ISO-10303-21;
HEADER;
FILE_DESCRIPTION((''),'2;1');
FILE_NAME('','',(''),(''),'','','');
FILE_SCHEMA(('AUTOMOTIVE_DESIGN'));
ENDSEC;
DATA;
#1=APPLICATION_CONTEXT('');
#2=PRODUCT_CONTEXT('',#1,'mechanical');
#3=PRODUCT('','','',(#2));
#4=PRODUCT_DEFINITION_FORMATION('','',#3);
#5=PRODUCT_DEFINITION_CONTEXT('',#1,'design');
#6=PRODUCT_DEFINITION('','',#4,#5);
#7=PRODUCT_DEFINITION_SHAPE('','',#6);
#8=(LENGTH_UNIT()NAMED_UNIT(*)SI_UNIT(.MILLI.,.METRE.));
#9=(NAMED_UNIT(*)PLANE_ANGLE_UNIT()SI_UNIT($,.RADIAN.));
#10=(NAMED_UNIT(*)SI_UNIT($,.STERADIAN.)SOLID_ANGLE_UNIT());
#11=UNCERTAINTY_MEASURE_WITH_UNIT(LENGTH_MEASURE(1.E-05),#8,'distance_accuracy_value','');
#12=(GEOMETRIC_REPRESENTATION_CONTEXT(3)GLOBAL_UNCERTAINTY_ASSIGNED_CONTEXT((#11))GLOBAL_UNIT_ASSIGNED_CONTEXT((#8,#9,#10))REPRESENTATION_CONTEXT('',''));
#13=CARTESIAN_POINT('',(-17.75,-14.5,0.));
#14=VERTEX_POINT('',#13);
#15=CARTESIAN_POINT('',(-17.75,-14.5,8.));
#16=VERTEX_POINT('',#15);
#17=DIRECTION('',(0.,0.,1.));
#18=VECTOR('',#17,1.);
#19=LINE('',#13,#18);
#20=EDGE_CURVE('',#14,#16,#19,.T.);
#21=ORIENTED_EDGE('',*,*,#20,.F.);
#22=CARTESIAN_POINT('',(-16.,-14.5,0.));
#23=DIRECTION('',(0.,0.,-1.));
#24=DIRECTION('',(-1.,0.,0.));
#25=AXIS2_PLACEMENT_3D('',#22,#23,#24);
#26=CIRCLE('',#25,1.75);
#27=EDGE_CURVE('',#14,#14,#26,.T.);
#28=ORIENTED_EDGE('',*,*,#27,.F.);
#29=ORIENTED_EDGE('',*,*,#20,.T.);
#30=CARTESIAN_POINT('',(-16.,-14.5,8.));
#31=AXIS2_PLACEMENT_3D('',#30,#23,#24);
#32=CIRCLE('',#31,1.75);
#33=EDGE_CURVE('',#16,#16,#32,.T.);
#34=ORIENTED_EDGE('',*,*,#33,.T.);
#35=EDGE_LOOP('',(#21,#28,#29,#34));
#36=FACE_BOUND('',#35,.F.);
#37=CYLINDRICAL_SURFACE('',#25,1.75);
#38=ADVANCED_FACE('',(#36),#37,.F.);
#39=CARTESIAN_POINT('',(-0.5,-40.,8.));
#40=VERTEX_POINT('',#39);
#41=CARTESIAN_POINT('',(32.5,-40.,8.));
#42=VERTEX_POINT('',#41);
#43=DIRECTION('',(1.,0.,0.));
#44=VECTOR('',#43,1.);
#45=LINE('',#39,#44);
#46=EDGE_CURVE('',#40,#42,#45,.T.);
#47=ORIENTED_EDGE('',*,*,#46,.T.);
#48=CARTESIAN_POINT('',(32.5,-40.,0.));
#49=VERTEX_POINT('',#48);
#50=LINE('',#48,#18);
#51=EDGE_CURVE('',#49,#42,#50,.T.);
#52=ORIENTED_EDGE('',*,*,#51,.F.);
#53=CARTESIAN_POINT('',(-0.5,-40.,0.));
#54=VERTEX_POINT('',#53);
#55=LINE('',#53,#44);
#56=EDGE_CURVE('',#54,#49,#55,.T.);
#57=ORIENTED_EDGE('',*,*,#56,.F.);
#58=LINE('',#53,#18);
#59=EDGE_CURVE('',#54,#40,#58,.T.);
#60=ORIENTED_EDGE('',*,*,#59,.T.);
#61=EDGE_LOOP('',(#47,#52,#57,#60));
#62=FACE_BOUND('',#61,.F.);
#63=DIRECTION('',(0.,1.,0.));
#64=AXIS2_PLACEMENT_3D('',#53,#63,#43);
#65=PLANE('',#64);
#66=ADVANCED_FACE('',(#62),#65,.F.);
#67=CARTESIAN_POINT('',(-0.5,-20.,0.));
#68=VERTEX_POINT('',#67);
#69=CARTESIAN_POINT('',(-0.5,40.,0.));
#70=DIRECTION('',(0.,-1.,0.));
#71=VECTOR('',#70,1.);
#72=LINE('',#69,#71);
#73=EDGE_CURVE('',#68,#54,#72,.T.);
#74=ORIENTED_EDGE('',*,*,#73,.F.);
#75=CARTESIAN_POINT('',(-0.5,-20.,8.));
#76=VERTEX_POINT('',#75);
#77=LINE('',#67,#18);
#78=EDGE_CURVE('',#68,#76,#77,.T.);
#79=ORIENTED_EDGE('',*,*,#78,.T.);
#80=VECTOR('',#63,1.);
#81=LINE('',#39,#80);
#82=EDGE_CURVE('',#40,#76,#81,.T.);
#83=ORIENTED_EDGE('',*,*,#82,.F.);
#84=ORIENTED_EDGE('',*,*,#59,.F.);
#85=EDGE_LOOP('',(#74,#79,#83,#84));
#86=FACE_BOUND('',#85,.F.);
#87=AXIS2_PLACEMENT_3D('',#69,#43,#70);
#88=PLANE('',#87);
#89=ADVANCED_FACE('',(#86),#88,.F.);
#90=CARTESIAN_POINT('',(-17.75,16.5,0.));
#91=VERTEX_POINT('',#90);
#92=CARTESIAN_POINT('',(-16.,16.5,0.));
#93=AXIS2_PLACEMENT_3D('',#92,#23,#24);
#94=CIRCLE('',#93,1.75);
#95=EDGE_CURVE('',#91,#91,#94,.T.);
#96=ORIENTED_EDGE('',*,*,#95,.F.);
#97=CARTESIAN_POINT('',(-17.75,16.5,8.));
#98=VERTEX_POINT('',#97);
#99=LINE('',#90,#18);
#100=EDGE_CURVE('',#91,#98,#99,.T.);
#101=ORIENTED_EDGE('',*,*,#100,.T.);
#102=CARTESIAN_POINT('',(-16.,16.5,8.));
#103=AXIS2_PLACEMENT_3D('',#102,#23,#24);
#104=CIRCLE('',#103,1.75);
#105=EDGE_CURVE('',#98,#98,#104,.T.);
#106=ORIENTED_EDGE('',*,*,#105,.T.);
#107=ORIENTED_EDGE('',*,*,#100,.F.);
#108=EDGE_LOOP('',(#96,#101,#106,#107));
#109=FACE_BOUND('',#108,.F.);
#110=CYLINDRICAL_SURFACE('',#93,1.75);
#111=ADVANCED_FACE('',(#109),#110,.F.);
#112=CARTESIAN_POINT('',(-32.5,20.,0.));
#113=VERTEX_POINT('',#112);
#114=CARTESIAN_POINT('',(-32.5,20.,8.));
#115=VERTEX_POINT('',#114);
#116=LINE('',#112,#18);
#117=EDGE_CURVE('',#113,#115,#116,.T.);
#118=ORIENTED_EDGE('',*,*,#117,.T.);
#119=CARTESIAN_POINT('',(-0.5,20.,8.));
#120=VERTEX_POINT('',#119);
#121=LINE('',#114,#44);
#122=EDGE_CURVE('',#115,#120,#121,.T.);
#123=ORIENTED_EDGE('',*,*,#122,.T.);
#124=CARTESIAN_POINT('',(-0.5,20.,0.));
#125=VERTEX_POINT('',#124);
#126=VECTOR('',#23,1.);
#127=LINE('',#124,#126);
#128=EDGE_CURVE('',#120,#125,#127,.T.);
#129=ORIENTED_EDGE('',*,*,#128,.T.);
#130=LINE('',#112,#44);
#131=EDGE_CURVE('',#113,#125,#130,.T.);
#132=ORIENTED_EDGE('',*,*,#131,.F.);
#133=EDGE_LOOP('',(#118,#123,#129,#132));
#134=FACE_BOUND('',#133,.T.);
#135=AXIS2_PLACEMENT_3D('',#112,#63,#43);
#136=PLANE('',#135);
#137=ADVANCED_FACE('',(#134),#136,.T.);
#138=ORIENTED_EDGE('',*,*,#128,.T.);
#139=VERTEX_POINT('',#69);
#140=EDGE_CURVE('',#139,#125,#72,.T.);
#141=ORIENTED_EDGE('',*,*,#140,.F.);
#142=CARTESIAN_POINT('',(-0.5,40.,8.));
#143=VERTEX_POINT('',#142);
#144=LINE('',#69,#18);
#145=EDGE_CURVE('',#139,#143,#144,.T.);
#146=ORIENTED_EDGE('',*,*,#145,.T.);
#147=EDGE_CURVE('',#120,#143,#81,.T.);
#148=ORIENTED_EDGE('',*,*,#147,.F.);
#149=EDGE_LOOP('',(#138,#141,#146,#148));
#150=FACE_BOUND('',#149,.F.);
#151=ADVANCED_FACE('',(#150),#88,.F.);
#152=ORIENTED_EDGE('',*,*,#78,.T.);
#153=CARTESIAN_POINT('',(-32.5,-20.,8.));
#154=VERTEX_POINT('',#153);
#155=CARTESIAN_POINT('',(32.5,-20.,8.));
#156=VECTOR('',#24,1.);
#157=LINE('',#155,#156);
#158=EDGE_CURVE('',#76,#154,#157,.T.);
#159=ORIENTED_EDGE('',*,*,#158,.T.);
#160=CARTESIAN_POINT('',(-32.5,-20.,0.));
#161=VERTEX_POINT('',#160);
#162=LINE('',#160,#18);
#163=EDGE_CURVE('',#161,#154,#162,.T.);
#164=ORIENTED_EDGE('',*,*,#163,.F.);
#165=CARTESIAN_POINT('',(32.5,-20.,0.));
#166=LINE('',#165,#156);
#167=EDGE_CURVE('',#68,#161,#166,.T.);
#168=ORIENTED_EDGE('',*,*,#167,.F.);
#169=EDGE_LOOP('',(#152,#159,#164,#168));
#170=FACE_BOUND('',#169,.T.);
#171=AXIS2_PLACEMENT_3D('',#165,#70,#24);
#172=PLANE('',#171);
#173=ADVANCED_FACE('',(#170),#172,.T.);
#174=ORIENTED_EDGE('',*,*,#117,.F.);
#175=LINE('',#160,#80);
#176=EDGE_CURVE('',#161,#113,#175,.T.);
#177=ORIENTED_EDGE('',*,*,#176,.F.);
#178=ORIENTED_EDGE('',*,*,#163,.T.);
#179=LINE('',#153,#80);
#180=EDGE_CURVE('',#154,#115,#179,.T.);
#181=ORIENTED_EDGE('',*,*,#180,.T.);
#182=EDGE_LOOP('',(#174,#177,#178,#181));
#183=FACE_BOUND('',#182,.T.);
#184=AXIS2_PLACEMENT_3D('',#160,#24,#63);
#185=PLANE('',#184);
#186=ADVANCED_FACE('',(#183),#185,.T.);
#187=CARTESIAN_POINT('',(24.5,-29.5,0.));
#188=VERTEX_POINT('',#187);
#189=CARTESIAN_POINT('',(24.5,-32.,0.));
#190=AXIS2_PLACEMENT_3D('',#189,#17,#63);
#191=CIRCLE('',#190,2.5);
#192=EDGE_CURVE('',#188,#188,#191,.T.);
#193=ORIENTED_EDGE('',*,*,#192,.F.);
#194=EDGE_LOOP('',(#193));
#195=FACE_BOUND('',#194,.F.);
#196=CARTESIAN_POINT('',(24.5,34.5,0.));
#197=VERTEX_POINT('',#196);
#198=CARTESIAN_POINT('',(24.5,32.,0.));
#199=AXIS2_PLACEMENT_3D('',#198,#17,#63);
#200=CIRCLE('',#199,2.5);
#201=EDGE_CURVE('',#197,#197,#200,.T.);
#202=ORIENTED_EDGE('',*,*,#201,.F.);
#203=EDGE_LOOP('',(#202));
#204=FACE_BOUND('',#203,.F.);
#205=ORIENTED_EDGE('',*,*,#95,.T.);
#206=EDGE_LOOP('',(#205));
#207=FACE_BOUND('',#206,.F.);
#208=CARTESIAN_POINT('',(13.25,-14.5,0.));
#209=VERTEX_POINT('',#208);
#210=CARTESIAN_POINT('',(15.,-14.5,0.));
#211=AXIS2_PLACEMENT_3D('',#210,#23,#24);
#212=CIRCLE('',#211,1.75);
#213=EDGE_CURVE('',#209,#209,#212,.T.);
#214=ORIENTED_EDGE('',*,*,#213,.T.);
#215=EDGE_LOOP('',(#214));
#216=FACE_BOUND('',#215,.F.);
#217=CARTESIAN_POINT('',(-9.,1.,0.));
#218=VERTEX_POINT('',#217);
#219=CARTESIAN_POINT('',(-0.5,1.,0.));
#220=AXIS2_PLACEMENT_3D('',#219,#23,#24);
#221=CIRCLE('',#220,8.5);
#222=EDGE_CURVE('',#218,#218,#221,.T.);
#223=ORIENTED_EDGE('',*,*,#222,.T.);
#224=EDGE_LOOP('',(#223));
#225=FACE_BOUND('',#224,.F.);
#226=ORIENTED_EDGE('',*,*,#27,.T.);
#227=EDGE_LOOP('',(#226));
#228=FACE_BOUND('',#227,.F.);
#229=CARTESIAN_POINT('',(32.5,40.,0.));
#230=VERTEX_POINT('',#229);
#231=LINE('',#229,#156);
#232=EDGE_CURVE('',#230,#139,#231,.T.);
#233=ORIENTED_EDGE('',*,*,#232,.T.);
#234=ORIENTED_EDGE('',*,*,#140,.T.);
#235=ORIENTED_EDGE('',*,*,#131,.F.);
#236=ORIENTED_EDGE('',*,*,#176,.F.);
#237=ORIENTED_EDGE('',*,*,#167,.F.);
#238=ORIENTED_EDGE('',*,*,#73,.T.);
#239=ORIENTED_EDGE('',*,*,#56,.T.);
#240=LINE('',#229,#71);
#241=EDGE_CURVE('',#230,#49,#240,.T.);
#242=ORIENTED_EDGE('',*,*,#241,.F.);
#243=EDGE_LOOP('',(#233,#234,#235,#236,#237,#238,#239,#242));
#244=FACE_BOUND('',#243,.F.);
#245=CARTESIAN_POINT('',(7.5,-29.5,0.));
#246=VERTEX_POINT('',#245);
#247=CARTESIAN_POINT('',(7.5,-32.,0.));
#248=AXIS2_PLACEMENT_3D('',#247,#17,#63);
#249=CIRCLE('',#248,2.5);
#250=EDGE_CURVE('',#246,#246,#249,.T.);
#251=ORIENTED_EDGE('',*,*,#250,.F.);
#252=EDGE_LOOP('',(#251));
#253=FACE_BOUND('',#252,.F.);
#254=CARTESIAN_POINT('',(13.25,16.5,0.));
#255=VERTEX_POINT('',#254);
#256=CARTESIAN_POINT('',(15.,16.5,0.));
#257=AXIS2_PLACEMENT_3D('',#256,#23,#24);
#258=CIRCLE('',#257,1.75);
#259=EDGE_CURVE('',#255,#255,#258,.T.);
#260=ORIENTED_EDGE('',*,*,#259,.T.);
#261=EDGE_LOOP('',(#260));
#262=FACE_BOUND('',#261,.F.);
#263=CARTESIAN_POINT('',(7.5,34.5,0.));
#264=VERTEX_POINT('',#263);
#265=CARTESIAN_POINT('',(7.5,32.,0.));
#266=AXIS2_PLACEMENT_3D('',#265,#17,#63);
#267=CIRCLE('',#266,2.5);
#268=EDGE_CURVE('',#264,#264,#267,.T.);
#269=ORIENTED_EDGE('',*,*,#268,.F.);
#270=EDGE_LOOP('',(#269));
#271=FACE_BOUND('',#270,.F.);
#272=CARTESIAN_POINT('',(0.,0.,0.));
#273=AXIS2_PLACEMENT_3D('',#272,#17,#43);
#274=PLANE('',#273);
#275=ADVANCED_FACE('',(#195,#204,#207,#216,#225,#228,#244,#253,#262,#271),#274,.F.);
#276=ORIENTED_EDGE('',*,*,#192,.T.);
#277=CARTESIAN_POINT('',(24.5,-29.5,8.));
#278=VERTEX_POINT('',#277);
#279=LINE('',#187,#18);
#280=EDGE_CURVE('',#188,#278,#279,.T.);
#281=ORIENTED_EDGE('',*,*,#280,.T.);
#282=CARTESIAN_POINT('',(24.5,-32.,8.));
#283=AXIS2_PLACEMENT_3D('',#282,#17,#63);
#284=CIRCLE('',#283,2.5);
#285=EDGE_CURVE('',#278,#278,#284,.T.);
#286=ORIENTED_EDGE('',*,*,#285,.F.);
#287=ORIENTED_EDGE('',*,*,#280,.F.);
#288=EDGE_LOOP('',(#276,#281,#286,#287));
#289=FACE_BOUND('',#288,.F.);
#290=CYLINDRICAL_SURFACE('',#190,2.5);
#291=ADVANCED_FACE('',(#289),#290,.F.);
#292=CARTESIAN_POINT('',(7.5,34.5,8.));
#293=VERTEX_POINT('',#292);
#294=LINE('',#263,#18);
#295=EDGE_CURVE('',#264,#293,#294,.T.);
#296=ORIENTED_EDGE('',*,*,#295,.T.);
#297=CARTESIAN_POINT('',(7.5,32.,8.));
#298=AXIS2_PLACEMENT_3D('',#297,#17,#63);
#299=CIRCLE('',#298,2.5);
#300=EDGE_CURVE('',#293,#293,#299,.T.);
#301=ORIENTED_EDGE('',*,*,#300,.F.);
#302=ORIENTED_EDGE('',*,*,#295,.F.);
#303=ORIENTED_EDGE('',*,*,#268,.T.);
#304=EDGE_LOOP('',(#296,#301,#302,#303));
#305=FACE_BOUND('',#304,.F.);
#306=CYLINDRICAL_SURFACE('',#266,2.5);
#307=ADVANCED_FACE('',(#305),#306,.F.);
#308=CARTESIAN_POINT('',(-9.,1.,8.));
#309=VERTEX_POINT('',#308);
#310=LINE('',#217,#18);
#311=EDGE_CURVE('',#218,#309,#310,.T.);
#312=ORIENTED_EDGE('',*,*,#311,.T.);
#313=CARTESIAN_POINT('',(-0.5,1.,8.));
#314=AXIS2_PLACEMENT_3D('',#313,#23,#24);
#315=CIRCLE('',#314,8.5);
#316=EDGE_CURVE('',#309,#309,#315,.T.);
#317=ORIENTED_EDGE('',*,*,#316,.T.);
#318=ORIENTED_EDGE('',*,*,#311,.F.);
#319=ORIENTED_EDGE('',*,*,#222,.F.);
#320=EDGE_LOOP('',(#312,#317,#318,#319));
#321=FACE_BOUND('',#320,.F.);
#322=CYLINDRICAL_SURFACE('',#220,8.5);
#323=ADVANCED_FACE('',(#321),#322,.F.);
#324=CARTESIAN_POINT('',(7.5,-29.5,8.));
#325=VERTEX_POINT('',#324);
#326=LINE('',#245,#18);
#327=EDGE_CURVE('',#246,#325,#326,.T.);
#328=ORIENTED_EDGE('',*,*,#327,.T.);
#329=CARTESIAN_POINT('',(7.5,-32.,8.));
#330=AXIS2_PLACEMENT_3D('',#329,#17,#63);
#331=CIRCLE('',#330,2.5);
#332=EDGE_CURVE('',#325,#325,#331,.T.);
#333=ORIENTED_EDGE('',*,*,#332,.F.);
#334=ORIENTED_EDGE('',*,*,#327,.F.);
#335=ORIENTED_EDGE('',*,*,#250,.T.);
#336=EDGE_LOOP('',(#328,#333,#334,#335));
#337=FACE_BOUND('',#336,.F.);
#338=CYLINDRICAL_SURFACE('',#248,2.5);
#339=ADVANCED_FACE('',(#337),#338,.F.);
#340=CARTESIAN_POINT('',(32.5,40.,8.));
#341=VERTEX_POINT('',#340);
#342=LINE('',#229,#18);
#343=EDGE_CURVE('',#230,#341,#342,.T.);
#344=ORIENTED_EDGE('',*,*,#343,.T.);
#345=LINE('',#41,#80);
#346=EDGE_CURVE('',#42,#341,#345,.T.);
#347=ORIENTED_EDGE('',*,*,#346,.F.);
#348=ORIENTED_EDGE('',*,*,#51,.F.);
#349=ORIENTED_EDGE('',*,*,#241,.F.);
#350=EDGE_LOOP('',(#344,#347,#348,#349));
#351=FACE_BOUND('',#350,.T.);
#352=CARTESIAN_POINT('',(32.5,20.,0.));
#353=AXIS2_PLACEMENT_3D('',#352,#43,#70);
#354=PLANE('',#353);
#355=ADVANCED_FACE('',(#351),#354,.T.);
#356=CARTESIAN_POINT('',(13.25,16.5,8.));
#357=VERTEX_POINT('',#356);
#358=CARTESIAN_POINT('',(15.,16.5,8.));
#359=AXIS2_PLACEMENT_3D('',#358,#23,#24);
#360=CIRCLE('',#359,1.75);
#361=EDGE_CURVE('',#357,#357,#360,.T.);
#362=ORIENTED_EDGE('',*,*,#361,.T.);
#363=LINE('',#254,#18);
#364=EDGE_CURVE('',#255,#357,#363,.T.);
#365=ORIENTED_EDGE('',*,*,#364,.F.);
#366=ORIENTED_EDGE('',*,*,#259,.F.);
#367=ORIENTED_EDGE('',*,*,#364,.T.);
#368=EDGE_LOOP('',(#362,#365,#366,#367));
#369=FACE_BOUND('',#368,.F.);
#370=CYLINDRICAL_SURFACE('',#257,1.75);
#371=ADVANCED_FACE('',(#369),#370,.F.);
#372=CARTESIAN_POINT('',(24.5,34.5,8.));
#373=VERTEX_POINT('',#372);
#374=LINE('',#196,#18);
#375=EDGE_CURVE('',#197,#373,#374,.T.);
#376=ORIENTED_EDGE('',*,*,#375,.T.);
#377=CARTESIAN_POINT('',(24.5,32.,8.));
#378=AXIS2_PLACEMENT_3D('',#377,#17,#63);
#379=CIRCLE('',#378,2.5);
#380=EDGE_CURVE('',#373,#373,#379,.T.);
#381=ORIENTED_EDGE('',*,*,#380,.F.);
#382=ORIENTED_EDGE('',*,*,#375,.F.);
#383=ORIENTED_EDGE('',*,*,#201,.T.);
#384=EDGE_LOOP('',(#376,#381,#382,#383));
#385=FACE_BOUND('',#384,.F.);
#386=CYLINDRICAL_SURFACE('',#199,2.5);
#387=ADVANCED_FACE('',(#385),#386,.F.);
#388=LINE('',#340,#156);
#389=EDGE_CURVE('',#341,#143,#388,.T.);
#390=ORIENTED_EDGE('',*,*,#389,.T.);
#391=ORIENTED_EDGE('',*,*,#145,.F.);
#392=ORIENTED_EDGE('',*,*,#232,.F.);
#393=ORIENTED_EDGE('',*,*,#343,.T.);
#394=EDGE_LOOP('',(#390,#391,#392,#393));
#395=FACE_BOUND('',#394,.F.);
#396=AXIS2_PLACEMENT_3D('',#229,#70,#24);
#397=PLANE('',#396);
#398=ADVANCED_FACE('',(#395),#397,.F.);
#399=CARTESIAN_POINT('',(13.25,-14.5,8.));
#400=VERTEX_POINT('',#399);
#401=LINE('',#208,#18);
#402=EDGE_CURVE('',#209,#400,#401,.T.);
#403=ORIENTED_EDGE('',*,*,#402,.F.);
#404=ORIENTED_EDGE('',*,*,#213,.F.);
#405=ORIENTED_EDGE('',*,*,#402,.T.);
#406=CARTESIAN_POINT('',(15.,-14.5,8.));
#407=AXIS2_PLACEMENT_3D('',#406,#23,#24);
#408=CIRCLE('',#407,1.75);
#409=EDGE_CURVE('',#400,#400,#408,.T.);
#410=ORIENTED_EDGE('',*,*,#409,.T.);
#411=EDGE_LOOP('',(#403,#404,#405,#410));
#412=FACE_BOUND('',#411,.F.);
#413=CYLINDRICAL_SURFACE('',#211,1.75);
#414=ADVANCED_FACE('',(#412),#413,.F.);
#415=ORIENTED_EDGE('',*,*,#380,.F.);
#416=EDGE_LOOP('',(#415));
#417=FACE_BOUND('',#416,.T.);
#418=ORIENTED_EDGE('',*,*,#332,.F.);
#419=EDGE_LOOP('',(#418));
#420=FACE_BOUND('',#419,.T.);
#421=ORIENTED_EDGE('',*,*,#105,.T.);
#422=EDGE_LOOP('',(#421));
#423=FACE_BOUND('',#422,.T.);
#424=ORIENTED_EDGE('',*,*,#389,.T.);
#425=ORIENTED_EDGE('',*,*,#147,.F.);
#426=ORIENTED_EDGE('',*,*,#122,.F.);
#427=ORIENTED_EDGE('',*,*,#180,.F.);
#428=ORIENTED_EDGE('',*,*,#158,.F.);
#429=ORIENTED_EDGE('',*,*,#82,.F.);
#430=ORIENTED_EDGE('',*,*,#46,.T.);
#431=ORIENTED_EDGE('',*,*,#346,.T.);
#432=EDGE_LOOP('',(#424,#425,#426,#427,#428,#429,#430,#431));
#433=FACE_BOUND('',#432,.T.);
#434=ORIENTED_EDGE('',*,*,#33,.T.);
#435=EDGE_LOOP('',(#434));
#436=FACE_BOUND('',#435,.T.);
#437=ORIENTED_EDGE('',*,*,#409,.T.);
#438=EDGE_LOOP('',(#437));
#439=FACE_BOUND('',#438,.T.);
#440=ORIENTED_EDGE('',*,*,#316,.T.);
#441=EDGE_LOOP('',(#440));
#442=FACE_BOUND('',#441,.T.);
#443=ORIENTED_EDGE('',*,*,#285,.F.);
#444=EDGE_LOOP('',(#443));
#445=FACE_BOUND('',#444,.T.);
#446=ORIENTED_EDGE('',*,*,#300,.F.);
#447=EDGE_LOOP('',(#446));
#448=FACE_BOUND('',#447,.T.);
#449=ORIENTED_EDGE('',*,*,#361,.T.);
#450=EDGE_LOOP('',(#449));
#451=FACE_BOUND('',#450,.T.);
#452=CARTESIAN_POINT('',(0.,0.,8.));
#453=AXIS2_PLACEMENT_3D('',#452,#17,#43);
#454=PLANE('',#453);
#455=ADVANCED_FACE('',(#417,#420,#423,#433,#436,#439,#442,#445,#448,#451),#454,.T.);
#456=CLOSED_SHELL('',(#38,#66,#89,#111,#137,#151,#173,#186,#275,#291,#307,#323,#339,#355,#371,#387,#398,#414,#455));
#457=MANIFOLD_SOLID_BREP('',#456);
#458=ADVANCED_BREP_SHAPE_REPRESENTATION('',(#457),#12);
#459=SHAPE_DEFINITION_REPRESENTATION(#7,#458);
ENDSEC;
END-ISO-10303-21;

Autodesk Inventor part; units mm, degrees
ref_plane "YZ Plane" through (0, 0, 0) normal (1, 0, 0) x (0, 1, 0)
ref_plane "XZ Plane" through (0, 0, 0) normal (0, 1, 0) x (-1, 0, 0)
ref_plane "XY Plane" through (0, 0, 0) normal (0, 0, 1) x (1, 0, 0)
sketch "Sketch1" plane through (0, 0, 0) normal (0, 0, 1) x (1, 0, 0)
  line L0 (-32.5, 20) -> (32.5, 20)
  line L1 (32.5, 20) -> (32.5, -20)
  line L2 (32.5, -20) -> (-32.5, -20)
  line L3 (-32.5, -20) -> (-32.5, 20)
  point P0 (0, 0)
  point P1 (0, 20)
  point P2 (-32.5, 0)
  dimension "d0" = 65
  dimension "d1" = 40
extrude "Extrusion1" add sketch "Sketch1" along normal blind 8
sketch "Sketch5" plane through (0, 0, 0) normal (0, 0, -1) x (-1, 0, 0)
  line L0 (-32.5, 40) -> (0.5, 40)
  line L1 (0.5, 40) -> (0.5, -40)
  line L2 (0.5, -40) -> (-32.5, -40)
  line L3 (-32.5, -40) -> (-32.5, 40)
  line L4 (-32.5, -20) -> (-32.5, 20) projected
  line L5 (-32.5, 20) -> (32.5, 20) projected
  line L6 (32.5, -20) -> (-32.5, -20) projected
  point P0 (0, 0)
  dimension "d22" = 20
  dimension "d23" = 20
  dimension "d24" = 33
extrude "Extrusion5" add sketch "Sketch5" against normal up to surface (8 mm away)
sketch "Sketch6" plane through (0, 0, 0) normal (0, 0, -1) x (-1, 0, 0)
  line L0 (0.5, 40) -> (-32.5, 40) projected
  line L1 (-32.5, 40) -> (-32.5, -40) projected
  line L2 (-15, 16.5) -> (16, 16.5) construction
  line L3 (16, 16.5) -> (16, -14.5) construction
  line L4 (16, -14.5) -> (-15, -14.5) construction
  line L5 (-15, -14.5) -> (-15, 16.5) construction
  line L6 (-15, 16.5) -> (16, -14.5) construction
  line L7 (16, 16.5) -> (-15, -14.5) construction
  circle A0 centre (-15, 16.5) radius 1.75
  circle A1 centre (16, 16.5) radius 1.75
  circle A2 centre (16, -14.5) radius 1.75
  circle A3 centre (-15, -14.5) radius 1.75
  circle A4 centre (0.5, 1) radius 8.5
  dimension "d29" = 31
  dimension "d30" = 33
  dimension "d31" = 39
  dimension "d32" = 3.5
  dimension "d33" = 17
extrude "Extrusion6" cut sketch "Sketch6" against normal blind 10
sketch "Sketch7" plane through (0, 0, 0) normal (0, 0, -1) x (-1, 0, 0)
  line L0 (-32.5, 40) -> (-32.5, -40) projected
  line L1 (0.5, 40) -> (-32.5, 40) projected
  line L2 (0.5, 20) -> (0.5, 40) projected
  line L3 (-32.5, -40) -> (0.5, -40) projected
  point P0 (0, 0)
  point P1 (-24.5, 32)
  point P2 (-7.5, 32)
  point P3 (-24.5, -32)
  point P4 (-7.5, -32)
  dimension "d36" = 8
  dimension "d37" = 8
  dimension "d38" = 8
  dimension "d39" = 17
  dimension "d40" = 8
  dimension "d41" = 64
hole "Hole1" at (24.5, 32, 0) direction (0, 0, 1) diameter 5 end through all
pattern_linear "Rectangular Pattern1" count 2 spacing 64 along (0, -1, 0) count 2 spacing 17 along (-1, 0, 0) of "Hole1"
equation "\"d23\" = d22"
equation "\"d38\" = d36"
equation "\"d40\" = d37"
properties part number "0005-10-023 Suport motor x" material "Wood (Maple)"
